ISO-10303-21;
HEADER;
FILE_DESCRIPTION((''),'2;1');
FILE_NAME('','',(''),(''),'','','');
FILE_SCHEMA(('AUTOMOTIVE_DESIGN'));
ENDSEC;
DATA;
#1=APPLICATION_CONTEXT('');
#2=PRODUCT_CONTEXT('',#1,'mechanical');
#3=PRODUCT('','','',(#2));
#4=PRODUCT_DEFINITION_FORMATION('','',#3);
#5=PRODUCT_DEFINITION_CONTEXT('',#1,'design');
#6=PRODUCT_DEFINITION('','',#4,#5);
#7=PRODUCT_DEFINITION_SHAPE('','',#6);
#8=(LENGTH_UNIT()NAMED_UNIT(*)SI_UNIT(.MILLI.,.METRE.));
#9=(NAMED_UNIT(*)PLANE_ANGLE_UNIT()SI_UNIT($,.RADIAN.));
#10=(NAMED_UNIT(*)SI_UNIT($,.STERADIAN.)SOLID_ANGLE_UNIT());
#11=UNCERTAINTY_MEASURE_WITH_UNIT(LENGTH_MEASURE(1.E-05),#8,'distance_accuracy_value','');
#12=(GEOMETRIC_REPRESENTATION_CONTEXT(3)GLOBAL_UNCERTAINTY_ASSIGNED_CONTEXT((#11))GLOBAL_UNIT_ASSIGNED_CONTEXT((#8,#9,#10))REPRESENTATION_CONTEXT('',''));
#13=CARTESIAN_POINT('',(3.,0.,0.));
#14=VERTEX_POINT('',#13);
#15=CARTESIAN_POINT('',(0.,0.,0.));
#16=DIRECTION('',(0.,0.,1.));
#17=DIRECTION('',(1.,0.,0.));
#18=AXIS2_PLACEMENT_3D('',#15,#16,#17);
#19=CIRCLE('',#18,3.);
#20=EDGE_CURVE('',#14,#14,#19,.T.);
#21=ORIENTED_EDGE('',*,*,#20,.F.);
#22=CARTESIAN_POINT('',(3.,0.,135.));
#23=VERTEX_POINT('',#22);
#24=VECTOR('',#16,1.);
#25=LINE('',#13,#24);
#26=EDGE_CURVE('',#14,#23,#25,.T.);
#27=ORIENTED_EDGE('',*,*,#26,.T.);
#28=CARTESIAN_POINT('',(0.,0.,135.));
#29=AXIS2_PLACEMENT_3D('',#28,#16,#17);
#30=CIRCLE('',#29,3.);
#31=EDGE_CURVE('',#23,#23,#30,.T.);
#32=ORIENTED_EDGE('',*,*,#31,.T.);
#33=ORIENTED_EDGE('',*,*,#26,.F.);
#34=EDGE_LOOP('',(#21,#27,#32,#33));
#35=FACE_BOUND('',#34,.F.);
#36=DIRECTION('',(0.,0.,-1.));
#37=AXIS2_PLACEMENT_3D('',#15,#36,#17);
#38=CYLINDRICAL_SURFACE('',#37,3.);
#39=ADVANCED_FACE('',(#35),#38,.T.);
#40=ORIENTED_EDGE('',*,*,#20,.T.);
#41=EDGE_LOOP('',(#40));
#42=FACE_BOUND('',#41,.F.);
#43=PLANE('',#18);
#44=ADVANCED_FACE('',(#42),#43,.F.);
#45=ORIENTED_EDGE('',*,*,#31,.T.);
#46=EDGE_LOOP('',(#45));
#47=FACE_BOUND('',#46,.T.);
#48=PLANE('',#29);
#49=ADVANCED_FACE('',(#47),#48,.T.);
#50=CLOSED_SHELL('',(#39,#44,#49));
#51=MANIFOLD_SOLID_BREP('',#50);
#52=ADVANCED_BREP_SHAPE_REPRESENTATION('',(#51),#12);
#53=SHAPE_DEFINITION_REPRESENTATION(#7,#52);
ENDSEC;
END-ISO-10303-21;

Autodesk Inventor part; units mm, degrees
ref_plane "YZ Plane" through (0, 0, 0) normal (1, 0, 0) x (0, 1, 0)
ref_plane "XZ Plane" through (0, 0, 0) normal (0, 1, 0) x (-1, 0, 0)
ref_plane "XY Plane" through (0, 0, 0) normal (0, 0, 1) x (1, 0, 0)
sketch "Sketch1" plane through (0, 0, 0) normal (0, 0, 1) x (1, 0, 0)
  circle A0 centre (0, 0) radius 3
  dimension "d0" = 6
extrude "Extrusion1" add sketch "Sketch1" along normal blind 135
thread "Thread1" size "M6x1" class "6g" standard "ANSI Metric M Profile" full length
properties part number "threaded rod"
